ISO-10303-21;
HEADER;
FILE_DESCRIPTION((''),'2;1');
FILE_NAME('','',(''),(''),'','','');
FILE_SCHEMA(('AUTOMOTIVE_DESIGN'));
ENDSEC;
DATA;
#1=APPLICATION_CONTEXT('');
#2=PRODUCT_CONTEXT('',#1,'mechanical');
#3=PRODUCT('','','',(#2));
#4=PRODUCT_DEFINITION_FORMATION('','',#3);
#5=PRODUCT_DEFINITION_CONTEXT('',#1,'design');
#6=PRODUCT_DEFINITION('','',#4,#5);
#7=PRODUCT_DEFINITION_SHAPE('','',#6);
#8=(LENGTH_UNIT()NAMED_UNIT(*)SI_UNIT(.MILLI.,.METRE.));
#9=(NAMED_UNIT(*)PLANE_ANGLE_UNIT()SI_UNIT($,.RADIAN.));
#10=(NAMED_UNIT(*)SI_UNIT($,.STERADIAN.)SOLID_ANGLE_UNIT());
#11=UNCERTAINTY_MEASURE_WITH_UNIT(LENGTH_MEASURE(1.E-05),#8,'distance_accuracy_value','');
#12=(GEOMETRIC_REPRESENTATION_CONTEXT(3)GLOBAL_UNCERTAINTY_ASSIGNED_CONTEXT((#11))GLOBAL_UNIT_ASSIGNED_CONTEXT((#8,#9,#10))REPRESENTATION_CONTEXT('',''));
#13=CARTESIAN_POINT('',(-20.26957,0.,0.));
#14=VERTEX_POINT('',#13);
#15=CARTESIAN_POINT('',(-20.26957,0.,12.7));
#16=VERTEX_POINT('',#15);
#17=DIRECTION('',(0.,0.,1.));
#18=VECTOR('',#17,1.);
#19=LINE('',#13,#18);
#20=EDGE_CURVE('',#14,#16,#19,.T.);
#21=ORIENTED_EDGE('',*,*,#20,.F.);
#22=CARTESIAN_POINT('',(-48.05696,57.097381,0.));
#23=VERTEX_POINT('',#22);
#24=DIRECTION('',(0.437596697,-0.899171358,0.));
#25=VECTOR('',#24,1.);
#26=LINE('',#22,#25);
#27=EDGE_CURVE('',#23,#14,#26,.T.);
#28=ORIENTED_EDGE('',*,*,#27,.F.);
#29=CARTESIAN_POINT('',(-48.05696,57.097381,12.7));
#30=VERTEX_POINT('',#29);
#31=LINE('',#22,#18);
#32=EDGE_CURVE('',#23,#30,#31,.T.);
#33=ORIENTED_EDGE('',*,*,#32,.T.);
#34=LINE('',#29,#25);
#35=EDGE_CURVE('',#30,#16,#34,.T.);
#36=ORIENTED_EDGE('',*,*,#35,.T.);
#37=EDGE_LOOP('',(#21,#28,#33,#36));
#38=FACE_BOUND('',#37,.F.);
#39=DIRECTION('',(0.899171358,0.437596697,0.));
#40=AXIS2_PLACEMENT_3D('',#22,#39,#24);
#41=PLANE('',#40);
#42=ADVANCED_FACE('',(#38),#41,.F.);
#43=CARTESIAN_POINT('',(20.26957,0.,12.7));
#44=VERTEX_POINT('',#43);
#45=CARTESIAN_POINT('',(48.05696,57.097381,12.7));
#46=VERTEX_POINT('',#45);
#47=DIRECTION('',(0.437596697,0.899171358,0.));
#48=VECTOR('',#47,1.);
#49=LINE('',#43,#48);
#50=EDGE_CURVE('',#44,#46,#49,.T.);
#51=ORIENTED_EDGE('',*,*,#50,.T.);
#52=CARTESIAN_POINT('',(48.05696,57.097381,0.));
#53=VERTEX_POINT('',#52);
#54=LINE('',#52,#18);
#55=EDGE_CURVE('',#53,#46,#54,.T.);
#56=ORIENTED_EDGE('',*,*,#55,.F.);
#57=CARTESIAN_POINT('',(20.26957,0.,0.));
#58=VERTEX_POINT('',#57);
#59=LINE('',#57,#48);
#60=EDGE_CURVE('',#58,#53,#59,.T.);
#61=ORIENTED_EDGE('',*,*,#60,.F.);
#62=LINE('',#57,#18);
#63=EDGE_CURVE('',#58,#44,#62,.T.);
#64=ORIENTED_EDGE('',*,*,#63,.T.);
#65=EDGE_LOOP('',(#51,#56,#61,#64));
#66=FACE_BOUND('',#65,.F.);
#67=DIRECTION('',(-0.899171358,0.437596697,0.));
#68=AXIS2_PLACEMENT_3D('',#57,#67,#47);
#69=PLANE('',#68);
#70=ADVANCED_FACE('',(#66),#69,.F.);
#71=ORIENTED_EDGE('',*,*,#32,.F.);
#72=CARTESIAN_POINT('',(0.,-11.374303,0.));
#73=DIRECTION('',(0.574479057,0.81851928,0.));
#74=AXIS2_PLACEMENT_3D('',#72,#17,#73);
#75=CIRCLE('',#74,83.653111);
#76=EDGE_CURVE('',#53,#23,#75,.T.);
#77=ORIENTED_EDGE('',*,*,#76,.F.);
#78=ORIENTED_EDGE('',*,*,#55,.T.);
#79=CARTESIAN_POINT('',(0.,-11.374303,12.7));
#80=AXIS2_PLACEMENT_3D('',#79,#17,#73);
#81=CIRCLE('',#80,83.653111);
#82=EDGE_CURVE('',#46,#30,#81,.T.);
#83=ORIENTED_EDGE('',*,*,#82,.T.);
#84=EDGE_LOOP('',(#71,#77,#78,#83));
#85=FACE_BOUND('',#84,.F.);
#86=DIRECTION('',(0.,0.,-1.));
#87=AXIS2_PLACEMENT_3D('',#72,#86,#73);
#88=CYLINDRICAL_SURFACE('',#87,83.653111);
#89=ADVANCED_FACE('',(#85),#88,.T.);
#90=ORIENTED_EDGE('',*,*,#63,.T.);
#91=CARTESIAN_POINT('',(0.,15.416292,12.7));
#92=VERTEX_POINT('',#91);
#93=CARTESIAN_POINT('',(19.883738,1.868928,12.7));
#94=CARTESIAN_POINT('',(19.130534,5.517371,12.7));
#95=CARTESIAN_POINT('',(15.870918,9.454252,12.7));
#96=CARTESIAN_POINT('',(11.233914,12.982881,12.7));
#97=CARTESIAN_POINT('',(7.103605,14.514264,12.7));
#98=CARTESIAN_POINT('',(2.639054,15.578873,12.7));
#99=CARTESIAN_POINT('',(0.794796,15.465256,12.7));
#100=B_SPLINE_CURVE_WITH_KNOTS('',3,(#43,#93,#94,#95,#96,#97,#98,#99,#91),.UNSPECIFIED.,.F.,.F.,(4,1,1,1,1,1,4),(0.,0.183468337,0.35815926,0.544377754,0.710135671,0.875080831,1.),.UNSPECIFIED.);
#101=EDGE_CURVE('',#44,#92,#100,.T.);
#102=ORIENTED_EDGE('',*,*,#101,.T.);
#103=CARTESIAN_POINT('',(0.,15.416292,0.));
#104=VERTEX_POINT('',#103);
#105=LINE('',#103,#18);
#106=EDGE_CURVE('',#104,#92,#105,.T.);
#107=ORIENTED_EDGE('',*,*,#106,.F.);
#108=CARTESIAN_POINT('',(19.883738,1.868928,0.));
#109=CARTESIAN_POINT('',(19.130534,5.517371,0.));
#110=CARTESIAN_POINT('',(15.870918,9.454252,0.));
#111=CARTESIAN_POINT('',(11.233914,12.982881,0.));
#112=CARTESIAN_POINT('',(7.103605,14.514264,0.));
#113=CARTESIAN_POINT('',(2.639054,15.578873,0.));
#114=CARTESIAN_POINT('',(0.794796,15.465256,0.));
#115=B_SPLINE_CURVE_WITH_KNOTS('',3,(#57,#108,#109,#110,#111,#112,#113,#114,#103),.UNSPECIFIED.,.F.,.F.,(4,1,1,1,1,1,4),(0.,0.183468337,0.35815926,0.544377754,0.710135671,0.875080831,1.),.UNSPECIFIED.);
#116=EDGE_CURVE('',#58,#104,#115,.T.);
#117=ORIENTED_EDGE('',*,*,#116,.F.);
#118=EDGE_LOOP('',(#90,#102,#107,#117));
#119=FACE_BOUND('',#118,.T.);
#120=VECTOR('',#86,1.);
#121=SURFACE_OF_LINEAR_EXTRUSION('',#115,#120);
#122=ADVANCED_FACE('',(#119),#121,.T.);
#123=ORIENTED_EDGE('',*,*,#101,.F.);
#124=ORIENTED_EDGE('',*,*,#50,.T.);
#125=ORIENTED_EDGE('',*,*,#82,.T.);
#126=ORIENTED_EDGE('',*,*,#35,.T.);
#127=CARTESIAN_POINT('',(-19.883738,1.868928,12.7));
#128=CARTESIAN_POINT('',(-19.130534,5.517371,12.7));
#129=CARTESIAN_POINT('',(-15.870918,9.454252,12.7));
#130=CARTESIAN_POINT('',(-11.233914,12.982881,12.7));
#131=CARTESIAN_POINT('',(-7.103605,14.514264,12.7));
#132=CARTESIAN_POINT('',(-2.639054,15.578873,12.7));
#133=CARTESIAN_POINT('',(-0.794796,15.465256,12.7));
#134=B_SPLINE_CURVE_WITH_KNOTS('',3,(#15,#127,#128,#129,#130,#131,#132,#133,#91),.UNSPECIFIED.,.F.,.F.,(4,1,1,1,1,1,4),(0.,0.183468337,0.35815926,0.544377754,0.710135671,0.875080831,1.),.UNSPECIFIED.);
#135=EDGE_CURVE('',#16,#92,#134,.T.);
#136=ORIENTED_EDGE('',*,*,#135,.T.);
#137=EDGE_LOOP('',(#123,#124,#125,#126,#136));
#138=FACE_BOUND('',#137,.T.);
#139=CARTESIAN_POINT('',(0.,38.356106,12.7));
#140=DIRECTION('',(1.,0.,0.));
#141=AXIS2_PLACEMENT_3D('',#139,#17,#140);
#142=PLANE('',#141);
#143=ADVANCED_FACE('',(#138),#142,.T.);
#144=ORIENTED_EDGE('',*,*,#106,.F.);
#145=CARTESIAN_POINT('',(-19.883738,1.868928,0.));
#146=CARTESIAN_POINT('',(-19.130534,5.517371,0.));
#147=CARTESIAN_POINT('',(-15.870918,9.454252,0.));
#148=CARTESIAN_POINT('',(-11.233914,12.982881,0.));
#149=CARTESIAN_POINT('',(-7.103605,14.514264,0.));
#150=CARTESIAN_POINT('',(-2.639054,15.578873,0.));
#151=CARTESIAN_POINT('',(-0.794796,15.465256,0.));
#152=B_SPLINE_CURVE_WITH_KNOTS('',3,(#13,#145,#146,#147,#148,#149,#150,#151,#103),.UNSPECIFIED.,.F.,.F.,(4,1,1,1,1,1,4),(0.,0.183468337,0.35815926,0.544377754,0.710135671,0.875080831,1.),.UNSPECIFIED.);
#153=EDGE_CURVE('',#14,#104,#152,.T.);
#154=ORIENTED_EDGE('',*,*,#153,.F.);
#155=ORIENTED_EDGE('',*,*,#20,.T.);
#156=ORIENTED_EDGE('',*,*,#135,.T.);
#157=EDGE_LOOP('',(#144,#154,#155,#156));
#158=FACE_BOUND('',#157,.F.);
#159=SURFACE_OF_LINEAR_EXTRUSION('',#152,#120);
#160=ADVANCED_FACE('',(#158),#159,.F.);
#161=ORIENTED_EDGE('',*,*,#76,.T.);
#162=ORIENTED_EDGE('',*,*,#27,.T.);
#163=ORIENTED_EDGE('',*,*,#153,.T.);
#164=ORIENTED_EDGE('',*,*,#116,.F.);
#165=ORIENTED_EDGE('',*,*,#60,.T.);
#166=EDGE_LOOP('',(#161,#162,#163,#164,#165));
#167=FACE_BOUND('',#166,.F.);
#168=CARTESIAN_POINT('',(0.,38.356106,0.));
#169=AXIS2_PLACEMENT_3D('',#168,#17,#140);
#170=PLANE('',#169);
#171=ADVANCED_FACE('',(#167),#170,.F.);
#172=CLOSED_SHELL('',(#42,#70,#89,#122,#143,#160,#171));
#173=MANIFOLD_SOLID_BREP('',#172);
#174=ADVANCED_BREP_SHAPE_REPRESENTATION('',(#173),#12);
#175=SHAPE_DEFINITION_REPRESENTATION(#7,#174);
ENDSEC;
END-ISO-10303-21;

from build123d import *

# Parameters (mm, degrees)
F1_DEPTH = 12.7


with BuildPart() as f1:
    # F0 (on Top) → F1 (new body)
    with BuildSketch(Plane.XY):
        with BuildLine():
            Line((-48.0569601773, 57.0973812082), (-20.2695698866, 0))
            add(Edge.make_bspline(
                [(-20.2695698866, 0), (-19.8837383196, 1.8689279487), (-19.1305339751, 5.517371391), (-15.8709178776, 9.4542522079), (-11.2339144066, 12.9828806673), (-7.1036049518, 14.5142642709), (-2.6390539178, 15.5788728169), (-0.7947963791, 15.4652559517), (0, 15.4162919263)],
                knots=[0, 0, 0, 0, 0.1834683369, 0.3581592597, 0.5443777539, 0.7101356713, 0.8750808312, 1, 1, 1, 1], degree=3))
            add(Edge.make_bspline(
                [(20.2695698866, 0), (19.8837383196, 1.8689279487), (19.1305339751, 5.517371391), (15.8709178776, 9.4542522079), (11.2339144066, 12.9828806673), (7.1036049518, 14.5142642709), (2.6390539178, 15.5788728169), (0.7947963791, 15.4652559517), (0, 15.4162919263)],
                knots=[0, 0, 0, 0, 0.1834683369, 0.3581592597, 0.5443777539, 0.7101356713, 0.8750808312, 1, 1, 1, 1], degree=3))
            Line((20.2695698866, 0), (48.0569601773, 57.0973812082))
            ThreePointArc((48.0569601773, 57.0973812082), (0, 72.2788079235), (-48.0569601773, 57.0973812082))
        make_face()
    extrude(amount=F1_DEPTH)


solid = f1.part
